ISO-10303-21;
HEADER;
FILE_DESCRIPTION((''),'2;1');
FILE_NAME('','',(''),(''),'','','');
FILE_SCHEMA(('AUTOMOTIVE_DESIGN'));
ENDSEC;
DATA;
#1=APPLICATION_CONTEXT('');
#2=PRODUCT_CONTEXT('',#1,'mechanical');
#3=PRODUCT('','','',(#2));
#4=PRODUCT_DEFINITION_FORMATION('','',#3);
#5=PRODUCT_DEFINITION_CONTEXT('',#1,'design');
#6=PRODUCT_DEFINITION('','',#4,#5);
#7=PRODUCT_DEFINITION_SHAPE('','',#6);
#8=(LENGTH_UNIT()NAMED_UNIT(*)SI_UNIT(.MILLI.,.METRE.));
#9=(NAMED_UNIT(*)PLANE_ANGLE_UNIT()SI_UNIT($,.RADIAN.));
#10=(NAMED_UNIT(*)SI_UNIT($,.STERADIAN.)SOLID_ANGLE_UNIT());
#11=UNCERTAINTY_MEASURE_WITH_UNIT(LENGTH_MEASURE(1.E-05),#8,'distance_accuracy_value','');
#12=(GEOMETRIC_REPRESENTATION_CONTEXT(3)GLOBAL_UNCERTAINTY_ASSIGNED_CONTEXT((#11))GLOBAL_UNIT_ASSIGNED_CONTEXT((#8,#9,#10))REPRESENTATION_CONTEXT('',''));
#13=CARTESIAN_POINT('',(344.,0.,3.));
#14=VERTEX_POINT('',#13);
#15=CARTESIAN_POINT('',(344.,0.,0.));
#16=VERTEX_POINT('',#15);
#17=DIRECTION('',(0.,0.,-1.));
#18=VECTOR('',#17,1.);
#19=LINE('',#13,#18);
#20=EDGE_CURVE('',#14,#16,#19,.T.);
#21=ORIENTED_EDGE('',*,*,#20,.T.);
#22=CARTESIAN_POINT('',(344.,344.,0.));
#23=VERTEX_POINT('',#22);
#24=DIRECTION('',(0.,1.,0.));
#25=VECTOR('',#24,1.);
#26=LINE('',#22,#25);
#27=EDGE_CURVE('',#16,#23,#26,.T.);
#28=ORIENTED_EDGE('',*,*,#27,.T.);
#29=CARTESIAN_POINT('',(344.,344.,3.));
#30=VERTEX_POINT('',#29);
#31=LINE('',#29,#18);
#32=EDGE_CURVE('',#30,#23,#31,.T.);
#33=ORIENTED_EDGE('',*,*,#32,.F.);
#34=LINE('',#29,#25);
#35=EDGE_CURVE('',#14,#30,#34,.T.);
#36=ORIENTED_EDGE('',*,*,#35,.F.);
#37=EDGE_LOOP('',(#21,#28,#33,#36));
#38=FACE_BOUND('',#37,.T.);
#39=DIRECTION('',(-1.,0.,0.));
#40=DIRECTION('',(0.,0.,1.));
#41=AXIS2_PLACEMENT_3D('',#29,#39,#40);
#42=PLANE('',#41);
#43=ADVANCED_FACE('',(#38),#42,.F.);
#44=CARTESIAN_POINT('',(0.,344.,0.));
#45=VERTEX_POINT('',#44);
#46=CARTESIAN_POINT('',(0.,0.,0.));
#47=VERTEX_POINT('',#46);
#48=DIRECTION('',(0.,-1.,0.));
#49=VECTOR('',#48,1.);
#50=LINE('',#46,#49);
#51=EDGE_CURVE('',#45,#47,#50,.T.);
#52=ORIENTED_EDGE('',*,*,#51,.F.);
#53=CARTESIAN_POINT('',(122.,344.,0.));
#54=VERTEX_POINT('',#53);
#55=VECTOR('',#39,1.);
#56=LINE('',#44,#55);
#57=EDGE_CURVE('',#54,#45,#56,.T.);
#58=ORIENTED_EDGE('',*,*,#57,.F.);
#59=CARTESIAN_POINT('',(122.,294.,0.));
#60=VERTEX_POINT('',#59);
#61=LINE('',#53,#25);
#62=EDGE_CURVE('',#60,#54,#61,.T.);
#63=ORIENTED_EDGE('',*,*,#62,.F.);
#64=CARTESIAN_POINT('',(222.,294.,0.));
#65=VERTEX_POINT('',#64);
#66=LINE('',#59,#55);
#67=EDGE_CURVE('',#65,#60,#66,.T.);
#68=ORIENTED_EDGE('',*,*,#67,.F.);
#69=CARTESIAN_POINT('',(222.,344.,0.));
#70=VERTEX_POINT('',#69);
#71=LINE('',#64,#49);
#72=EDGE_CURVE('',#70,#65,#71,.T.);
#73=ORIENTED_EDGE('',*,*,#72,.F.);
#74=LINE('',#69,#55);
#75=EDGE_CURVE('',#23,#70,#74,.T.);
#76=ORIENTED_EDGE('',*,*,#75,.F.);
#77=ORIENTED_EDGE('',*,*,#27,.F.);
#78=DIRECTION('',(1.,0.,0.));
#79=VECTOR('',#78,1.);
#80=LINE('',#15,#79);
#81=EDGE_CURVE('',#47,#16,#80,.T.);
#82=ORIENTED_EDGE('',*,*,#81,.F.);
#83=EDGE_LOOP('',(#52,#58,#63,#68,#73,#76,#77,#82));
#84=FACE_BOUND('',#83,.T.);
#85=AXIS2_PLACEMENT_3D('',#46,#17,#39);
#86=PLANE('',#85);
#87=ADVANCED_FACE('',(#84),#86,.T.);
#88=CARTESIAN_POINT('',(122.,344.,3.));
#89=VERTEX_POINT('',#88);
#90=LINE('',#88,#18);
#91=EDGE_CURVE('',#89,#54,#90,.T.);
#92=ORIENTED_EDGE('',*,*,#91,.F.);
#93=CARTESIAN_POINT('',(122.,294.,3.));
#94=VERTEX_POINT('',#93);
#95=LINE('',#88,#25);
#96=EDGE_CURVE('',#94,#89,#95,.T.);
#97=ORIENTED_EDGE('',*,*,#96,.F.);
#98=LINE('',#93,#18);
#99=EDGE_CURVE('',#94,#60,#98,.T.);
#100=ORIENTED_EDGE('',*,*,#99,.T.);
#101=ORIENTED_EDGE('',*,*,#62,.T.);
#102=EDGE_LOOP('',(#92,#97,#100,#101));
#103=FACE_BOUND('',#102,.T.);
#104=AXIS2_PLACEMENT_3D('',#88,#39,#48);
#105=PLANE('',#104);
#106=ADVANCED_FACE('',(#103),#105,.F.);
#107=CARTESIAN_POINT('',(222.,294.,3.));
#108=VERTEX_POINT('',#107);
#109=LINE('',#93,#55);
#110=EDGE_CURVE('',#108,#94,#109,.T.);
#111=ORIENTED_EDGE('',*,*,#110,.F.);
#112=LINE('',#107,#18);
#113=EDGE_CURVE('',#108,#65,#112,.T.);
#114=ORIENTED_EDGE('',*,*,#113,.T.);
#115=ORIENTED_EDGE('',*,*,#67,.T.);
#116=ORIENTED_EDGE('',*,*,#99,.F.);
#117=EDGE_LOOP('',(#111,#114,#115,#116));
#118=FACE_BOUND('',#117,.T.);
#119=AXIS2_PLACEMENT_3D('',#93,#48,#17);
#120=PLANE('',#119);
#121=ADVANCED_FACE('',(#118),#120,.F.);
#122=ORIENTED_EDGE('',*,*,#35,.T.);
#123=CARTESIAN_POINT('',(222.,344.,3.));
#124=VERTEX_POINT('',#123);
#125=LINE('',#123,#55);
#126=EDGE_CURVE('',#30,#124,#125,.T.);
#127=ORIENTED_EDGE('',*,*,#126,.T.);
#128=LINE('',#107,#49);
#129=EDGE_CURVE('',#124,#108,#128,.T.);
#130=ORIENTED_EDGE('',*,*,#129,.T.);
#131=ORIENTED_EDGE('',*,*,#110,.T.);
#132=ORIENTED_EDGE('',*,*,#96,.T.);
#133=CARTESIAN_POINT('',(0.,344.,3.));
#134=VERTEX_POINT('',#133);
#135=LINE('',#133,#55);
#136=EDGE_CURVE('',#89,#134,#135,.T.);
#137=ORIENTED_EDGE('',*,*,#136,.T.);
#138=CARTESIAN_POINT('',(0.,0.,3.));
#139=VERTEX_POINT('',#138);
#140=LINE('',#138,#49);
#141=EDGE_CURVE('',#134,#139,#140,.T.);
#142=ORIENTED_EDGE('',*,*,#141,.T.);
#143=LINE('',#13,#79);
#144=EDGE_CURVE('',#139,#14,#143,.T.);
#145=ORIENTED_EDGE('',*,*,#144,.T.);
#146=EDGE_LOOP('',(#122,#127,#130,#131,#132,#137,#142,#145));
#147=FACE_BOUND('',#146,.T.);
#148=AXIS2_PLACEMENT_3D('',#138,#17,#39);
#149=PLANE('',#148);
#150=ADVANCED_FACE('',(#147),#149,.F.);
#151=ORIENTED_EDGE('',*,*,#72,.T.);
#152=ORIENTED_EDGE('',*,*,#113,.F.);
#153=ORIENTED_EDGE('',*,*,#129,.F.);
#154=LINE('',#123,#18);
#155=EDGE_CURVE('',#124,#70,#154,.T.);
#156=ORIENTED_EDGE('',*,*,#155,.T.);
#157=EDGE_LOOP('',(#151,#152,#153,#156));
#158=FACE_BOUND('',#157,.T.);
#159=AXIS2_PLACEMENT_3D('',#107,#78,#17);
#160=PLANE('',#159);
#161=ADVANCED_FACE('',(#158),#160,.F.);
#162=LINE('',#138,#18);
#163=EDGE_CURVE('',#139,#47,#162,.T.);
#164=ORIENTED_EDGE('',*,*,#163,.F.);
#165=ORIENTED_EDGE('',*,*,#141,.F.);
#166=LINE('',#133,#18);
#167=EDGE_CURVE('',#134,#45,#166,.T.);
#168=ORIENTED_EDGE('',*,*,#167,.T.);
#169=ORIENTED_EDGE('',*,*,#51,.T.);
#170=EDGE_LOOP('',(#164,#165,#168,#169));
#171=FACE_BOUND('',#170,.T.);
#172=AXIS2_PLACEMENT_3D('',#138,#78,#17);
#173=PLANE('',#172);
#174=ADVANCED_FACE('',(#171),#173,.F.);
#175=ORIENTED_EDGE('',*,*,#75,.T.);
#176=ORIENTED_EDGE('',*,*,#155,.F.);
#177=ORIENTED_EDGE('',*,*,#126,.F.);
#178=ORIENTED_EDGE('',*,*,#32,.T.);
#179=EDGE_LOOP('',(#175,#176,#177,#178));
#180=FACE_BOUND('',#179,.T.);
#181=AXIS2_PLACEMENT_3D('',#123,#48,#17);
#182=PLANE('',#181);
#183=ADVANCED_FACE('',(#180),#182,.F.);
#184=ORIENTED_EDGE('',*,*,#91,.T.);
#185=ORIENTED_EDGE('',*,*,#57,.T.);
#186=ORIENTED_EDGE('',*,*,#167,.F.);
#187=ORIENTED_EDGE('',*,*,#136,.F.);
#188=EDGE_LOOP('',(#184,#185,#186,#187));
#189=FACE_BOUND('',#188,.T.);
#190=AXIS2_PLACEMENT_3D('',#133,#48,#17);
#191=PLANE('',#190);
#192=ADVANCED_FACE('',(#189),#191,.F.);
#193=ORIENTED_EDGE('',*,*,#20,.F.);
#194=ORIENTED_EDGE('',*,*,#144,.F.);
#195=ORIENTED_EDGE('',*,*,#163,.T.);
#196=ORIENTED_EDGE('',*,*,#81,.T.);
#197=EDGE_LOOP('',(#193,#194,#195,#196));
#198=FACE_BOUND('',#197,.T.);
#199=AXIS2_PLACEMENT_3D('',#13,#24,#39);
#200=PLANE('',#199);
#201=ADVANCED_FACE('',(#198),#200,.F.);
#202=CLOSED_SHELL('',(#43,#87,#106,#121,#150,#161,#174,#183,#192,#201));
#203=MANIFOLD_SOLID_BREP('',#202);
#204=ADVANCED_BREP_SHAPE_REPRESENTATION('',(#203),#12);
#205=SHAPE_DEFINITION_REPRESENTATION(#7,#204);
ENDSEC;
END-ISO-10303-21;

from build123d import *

# Parameters (mm, degrees)
ESTRUSIONE_ESTRUSIONE1_DEPTH = 3


with BuildPart() as part:
    # Schizzo1 → Estrusione-Estrusione1 (new body)
    with BuildSketch(Plane.XY):
        Polygon((0, 0), (0, 344), (122, 344), (122, 294), (222, 294), (222, 344), (344, 344), (344, 0), align=None)
    extrude(amount=ESTRUSIONE_ESTRUSIONE1_DEPTH)


solid = part.part
